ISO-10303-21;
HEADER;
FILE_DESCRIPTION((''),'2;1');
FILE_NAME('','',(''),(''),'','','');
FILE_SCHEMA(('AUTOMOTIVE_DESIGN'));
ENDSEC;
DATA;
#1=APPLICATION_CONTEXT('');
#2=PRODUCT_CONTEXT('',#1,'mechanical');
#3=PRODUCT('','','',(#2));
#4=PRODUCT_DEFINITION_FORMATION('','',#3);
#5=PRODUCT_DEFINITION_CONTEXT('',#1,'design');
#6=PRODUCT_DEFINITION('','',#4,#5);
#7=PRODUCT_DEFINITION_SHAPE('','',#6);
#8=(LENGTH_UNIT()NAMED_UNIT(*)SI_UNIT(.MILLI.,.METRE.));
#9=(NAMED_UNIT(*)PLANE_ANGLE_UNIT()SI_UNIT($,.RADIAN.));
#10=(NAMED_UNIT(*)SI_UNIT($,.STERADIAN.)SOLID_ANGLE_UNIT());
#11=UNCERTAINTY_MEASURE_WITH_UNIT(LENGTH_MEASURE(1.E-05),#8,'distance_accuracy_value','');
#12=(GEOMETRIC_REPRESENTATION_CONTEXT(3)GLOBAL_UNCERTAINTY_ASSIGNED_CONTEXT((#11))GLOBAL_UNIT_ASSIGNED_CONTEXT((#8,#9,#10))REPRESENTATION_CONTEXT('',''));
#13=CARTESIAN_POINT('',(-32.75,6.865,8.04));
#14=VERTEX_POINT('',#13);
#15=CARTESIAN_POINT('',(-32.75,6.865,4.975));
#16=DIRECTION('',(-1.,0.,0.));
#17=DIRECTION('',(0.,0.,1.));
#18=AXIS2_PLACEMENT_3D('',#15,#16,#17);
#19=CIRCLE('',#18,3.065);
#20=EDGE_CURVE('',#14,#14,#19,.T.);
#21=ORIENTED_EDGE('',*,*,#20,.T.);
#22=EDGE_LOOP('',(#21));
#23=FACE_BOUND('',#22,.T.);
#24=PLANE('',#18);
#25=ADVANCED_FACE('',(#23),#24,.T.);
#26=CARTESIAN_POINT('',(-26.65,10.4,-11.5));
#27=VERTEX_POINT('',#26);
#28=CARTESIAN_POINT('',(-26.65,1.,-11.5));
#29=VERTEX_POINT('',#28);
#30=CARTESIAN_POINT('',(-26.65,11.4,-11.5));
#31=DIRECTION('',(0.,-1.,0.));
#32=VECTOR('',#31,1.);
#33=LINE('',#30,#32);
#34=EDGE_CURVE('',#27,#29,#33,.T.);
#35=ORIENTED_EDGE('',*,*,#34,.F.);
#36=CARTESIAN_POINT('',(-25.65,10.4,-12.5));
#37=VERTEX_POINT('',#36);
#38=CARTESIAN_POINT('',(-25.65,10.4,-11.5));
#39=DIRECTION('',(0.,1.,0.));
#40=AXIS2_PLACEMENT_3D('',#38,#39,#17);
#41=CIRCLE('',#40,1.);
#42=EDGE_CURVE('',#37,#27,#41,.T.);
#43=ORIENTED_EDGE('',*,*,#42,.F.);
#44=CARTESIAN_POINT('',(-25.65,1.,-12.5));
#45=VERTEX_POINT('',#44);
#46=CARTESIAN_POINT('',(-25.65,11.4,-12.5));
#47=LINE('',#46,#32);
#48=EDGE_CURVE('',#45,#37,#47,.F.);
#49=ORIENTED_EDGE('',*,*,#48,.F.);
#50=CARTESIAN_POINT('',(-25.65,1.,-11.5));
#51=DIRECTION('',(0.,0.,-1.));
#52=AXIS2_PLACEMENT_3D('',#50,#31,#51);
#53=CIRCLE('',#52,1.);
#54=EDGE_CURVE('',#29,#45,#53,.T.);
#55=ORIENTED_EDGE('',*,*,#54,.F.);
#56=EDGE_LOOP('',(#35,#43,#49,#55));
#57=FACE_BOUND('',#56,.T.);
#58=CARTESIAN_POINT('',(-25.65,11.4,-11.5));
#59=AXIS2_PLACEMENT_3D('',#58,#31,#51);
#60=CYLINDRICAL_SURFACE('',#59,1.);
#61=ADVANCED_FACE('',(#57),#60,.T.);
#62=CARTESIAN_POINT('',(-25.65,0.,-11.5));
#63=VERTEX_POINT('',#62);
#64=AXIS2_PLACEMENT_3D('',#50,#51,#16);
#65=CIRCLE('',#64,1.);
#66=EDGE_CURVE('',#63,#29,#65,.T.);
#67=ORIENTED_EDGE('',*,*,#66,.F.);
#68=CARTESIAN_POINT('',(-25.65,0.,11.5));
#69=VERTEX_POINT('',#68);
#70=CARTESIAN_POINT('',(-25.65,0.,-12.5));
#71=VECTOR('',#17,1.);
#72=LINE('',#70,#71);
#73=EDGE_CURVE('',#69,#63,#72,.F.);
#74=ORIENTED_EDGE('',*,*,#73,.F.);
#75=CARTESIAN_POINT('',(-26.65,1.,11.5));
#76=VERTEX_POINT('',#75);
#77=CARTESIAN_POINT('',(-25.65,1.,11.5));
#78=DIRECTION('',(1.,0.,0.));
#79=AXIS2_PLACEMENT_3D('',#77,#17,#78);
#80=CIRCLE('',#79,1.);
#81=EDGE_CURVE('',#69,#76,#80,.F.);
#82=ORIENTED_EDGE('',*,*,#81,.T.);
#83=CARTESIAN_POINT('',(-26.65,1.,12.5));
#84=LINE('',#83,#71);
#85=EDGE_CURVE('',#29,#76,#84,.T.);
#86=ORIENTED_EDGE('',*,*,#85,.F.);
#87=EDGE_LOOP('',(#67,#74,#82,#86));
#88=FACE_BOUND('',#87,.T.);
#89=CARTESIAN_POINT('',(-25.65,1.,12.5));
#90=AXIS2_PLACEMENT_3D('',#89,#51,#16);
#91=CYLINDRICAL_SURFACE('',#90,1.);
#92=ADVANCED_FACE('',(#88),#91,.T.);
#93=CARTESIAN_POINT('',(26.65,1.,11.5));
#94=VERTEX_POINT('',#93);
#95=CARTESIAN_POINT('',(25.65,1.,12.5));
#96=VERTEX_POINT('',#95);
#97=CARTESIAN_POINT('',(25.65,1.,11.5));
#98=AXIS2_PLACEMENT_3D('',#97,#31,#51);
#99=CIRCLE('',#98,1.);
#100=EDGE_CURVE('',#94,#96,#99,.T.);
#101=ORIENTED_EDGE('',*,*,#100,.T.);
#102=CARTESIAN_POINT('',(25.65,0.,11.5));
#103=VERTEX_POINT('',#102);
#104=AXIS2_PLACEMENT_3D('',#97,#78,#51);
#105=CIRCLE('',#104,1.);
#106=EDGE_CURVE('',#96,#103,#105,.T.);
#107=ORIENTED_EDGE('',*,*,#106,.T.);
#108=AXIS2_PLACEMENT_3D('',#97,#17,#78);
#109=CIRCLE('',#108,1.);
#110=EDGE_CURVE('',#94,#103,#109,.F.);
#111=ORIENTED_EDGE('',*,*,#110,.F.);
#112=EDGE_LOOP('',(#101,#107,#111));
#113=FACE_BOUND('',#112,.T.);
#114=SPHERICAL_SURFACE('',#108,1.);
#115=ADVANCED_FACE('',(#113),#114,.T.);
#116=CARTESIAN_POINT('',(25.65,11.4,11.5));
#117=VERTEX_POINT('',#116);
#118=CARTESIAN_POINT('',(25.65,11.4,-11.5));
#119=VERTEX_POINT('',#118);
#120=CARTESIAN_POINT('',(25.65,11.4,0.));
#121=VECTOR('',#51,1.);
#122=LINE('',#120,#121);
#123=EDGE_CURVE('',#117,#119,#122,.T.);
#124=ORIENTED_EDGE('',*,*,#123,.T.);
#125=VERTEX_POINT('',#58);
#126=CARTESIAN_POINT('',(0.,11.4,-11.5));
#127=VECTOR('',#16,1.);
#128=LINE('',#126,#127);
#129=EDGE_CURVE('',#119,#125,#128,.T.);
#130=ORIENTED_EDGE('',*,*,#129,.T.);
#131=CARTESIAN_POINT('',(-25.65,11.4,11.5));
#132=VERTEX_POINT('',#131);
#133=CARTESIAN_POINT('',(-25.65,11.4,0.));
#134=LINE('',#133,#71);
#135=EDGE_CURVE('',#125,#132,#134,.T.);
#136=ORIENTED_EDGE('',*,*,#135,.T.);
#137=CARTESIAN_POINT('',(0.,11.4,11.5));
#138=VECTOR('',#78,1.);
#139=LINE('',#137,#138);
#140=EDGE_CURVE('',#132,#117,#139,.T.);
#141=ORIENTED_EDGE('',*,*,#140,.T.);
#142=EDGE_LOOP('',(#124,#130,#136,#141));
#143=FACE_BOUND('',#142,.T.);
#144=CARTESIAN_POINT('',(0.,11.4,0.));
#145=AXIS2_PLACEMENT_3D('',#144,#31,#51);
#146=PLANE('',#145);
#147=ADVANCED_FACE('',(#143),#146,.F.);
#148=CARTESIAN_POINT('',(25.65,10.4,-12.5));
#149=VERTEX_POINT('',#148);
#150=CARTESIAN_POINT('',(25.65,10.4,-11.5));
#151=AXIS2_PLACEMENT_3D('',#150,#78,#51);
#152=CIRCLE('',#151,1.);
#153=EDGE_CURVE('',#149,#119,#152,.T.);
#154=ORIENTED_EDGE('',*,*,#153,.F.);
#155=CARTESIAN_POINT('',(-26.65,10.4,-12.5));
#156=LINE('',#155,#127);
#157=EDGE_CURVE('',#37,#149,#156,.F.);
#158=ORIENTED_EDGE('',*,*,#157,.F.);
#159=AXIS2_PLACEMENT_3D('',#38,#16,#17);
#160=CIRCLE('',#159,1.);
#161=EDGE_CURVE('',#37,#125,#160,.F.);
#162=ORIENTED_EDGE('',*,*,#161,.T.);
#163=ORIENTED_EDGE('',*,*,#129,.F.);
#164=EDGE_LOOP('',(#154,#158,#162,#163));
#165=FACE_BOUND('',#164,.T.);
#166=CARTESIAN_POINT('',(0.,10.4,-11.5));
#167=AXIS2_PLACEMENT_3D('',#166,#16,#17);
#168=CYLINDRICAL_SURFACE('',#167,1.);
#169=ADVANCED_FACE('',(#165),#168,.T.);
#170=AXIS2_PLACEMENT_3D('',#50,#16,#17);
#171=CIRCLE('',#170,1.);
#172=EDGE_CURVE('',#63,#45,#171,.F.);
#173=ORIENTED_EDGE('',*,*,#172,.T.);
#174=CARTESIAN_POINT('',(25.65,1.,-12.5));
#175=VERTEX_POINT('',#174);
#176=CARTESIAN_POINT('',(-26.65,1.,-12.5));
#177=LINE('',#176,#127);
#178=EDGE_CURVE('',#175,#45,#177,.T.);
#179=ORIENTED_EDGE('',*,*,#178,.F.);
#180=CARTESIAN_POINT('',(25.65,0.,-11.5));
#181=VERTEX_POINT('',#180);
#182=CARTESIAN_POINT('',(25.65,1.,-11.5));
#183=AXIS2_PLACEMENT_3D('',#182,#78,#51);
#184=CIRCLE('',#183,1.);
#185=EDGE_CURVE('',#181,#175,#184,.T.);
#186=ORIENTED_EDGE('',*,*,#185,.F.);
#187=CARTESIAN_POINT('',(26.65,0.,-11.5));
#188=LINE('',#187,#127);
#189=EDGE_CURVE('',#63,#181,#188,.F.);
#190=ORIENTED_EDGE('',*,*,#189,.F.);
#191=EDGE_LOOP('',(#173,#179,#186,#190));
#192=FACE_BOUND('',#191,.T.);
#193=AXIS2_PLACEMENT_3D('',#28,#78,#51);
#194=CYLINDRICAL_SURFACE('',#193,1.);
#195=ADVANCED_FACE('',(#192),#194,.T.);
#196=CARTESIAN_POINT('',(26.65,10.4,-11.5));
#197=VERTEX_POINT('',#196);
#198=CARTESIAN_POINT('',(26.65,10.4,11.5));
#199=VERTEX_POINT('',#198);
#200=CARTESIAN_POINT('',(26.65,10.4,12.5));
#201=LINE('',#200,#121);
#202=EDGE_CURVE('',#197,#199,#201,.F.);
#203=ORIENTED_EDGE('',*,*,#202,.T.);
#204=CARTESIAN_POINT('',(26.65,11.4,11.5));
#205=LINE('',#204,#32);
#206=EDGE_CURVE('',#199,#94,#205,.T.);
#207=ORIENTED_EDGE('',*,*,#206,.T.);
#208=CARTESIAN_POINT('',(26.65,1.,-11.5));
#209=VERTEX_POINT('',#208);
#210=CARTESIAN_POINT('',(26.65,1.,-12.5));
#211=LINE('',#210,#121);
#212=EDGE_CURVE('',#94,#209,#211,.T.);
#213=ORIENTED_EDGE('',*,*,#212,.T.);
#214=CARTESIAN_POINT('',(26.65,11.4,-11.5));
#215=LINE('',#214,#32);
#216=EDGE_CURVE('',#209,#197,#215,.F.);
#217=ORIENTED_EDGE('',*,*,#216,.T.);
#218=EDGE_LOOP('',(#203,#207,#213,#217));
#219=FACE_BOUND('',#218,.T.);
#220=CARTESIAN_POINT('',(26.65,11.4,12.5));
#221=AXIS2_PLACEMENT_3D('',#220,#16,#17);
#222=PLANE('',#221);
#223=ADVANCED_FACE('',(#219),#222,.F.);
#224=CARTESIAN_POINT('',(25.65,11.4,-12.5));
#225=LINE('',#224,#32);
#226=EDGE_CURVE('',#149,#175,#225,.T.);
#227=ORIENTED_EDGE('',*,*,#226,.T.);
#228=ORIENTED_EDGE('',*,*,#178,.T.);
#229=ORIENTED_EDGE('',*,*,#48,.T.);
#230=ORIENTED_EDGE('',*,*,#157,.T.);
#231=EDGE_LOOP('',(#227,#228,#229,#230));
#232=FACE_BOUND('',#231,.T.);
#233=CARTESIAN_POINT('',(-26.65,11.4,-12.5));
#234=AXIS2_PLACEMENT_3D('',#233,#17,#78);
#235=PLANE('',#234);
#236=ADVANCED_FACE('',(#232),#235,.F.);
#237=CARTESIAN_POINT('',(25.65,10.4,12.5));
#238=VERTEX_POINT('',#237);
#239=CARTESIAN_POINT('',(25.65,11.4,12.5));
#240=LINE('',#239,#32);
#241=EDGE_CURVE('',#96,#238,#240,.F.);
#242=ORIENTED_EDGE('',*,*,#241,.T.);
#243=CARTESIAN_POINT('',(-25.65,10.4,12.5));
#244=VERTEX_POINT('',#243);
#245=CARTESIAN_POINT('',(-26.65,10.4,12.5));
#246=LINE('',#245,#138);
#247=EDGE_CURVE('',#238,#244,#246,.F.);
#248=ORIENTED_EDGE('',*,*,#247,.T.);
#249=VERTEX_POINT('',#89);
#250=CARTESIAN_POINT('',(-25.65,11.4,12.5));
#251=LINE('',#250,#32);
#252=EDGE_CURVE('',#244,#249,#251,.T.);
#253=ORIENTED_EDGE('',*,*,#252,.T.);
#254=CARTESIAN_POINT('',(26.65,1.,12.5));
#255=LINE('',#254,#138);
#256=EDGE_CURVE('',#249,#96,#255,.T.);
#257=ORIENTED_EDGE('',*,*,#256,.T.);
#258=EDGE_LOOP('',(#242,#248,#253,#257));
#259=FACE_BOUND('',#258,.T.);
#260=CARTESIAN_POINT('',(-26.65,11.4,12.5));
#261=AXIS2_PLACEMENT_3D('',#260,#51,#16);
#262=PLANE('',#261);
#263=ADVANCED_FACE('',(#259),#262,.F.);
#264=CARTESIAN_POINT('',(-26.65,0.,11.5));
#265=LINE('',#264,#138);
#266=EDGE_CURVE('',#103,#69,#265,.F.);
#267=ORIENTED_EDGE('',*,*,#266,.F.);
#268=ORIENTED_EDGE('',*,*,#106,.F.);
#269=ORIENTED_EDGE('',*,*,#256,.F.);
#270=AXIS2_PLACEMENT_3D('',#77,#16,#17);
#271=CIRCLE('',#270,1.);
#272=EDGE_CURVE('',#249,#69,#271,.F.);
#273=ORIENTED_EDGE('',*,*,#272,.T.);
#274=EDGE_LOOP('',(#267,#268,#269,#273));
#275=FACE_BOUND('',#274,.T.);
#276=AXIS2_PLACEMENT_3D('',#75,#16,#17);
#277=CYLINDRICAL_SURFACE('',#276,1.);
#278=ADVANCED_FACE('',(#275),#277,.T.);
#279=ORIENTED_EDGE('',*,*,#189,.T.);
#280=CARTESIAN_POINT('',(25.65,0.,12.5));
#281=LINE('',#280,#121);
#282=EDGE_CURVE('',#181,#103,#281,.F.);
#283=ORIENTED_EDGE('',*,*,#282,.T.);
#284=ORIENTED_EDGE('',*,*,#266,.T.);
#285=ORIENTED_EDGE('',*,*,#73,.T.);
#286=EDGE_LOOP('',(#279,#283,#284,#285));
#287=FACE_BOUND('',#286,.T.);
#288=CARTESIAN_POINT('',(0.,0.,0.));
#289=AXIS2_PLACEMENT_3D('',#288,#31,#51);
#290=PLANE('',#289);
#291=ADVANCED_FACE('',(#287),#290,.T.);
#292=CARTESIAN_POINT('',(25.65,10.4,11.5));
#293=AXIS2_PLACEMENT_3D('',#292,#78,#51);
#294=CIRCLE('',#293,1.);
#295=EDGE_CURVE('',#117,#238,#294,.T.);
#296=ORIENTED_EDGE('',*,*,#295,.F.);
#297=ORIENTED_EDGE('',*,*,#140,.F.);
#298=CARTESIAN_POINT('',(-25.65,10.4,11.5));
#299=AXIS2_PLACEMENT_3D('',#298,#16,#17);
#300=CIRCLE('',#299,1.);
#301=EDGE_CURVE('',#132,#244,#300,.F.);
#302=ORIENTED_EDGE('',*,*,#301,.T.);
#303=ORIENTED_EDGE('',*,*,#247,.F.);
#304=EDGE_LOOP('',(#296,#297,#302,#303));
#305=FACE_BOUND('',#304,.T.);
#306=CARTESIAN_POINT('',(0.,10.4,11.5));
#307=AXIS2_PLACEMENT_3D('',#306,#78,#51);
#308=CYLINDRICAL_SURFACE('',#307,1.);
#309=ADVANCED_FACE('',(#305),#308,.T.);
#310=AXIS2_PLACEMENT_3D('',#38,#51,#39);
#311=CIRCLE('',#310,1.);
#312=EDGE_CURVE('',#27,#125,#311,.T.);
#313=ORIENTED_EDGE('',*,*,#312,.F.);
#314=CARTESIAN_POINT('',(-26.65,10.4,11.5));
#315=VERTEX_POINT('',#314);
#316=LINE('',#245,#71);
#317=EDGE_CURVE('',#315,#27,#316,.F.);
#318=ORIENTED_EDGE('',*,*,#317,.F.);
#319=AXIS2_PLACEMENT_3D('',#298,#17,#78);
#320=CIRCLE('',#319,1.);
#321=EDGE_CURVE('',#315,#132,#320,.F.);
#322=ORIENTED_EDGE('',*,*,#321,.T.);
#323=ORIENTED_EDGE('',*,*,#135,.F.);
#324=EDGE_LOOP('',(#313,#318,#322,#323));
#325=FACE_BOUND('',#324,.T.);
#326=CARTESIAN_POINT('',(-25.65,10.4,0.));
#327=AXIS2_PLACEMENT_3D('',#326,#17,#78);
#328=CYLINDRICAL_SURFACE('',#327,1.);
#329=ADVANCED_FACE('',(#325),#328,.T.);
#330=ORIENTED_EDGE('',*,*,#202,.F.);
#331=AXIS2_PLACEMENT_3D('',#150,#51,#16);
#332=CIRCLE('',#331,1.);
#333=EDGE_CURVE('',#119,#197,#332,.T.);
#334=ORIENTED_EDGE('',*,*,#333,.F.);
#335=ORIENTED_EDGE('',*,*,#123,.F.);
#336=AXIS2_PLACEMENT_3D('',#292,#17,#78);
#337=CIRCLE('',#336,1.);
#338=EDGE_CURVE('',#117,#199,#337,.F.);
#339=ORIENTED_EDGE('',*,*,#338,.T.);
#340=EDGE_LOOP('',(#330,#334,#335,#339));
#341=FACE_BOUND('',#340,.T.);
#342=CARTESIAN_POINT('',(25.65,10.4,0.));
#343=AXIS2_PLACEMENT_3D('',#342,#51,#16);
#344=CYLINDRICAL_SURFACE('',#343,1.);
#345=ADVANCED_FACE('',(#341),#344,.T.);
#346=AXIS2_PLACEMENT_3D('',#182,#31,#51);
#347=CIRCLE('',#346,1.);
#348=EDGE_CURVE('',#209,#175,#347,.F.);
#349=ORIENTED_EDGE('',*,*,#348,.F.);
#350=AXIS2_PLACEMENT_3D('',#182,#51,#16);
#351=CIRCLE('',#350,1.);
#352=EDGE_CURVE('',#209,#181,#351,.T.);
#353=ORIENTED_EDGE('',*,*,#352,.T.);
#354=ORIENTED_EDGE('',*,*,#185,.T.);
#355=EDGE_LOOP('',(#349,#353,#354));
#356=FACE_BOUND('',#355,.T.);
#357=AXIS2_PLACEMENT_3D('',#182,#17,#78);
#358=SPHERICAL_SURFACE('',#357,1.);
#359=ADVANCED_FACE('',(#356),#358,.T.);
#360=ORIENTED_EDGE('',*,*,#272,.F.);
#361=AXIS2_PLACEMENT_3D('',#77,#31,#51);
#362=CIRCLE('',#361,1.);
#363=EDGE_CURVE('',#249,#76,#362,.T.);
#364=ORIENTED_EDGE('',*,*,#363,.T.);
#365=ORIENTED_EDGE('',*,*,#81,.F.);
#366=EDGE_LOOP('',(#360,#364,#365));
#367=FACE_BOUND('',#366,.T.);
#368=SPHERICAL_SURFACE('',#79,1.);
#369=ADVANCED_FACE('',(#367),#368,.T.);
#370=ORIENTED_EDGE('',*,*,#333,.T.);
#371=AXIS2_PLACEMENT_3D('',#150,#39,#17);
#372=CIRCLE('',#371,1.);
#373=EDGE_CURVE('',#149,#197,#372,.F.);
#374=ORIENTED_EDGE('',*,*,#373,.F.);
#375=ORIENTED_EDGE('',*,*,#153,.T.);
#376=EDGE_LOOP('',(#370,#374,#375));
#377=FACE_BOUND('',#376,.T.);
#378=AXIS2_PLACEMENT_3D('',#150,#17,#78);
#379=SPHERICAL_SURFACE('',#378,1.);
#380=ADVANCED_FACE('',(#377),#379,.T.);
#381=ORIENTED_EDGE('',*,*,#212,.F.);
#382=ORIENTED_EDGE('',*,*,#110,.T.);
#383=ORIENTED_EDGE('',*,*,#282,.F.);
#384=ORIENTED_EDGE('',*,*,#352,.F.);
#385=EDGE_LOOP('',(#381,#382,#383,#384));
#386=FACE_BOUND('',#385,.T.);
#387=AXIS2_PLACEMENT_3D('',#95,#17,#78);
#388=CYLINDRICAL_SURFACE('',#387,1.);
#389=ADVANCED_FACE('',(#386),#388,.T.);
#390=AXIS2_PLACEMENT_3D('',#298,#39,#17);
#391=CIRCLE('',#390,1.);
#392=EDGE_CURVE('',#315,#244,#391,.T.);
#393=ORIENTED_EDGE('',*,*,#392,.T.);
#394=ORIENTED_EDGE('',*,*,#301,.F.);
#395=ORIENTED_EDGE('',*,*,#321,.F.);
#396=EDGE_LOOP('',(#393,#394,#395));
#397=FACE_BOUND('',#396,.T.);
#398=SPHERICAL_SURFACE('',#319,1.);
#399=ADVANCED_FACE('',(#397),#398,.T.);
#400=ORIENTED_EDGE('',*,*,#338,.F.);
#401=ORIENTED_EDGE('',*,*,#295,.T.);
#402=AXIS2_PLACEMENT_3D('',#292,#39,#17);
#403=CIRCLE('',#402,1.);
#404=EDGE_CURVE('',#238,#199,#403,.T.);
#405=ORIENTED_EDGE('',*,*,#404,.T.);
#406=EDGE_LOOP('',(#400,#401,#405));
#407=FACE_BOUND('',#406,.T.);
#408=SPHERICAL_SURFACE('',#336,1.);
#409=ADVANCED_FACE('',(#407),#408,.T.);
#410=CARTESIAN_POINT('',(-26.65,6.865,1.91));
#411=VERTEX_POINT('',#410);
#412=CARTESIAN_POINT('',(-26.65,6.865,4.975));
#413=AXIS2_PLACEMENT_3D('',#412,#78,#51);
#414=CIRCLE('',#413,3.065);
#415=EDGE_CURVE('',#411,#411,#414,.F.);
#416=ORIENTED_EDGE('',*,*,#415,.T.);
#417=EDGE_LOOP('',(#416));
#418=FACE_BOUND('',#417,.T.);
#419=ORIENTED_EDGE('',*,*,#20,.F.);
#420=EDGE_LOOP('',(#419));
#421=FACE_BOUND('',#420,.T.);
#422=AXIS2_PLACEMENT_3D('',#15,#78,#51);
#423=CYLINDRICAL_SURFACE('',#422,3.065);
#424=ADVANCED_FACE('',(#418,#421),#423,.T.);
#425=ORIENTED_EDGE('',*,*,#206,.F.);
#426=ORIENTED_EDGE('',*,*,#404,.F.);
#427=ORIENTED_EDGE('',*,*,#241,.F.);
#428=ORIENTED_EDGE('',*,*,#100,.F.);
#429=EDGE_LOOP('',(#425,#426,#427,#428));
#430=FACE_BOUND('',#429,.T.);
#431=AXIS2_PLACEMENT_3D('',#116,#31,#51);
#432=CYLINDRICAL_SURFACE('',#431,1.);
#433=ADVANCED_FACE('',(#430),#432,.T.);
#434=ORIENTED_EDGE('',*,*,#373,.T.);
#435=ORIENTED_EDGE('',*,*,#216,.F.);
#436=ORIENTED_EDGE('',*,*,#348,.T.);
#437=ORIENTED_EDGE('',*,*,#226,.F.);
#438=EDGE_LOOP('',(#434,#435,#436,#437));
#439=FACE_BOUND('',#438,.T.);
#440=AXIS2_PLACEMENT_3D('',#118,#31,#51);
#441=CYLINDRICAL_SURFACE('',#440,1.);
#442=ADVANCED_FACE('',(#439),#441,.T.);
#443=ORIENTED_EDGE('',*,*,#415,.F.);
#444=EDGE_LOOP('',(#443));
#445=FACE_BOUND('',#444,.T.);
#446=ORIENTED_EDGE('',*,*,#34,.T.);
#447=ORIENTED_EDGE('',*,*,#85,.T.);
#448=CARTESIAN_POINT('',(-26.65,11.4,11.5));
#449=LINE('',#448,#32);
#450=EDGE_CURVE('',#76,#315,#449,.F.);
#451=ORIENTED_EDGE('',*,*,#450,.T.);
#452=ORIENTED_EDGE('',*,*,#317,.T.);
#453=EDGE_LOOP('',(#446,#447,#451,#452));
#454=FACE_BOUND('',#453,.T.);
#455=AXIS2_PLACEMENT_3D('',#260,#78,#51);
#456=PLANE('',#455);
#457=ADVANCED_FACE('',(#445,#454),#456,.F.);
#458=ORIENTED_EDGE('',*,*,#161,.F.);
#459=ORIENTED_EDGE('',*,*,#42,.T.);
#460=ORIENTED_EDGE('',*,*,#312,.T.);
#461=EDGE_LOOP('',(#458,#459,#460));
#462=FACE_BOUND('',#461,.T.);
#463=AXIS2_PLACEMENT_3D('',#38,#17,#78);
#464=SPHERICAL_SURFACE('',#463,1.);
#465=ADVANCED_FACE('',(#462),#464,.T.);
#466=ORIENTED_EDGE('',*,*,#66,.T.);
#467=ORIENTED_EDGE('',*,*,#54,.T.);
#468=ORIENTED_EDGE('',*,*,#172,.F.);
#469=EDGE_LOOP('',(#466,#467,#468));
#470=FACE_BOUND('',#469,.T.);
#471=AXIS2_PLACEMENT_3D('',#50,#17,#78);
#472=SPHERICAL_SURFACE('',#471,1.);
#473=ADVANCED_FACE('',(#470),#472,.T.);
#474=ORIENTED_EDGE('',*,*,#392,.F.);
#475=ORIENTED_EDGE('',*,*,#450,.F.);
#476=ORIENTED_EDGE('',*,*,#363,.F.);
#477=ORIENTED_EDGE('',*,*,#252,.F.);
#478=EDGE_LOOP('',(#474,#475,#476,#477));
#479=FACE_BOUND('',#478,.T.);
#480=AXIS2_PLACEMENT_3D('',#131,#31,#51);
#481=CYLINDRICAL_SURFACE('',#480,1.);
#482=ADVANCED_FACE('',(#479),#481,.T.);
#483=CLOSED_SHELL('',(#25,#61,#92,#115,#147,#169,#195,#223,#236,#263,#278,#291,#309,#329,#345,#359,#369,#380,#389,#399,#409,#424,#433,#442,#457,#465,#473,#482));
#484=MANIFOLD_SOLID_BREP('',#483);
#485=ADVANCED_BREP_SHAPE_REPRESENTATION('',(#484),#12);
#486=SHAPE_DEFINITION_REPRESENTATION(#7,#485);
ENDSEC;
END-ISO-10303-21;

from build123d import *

# Parameters (mm, degrees)
SKETCH1_W           = 53.3
SKETCH1_H           = 25
BOSS_EXTRUDE1_DEPTH = 11.4
FILLET1_R           = 1
SKETCH2_R           = 3.065
BOSS_EXTRUDE2_DEPTH = 6.1


with BuildPart() as part:
    # Sketch1 → Boss-Extrude1 (new body)
    with BuildSketch(Plane(origin=(0, 0, 0), x_dir=(1, 0, 0), z_dir=(0, 1, 0))):
        Rectangle(SKETCH1_W, SKETCH1_H)
    extrude(amount=BOSS_EXTRUDE1_DEPTH)

    # Fillet1
    fillet1_edges = [part.edges().sort_by_distance(p)[0] for p in [
        (-26.65, 11.4, 0),
        (0, 11.4, 12.5),
        (26.65, 11.4, 0),
        (0, 0, 12.5),
        (-26.65, 0, 0),
        (0, 0, -12.5),
        (26.65, 0, 0),
        (26.65, 5.7, 12.5),
        (-26.65, 5.7, 12.5),
        (-26.65, 5.7, -12.5),
        (26.65, 5.7, -12.5),
        (0, 11.4, -12.5),
    ]]
    fillet(fillet1_edges, radius=FILLET1_R)

    # Sketch2 → Boss-Extrude2 (add)
    with BuildSketch(Plane.ZY.offset(26.65)):
        with Locations((4.975, 6.865)):
            Circle(SKETCH2_R)
    extrude(amount=BOSS_EXTRUDE2_DEPTH)


solid = part.part
